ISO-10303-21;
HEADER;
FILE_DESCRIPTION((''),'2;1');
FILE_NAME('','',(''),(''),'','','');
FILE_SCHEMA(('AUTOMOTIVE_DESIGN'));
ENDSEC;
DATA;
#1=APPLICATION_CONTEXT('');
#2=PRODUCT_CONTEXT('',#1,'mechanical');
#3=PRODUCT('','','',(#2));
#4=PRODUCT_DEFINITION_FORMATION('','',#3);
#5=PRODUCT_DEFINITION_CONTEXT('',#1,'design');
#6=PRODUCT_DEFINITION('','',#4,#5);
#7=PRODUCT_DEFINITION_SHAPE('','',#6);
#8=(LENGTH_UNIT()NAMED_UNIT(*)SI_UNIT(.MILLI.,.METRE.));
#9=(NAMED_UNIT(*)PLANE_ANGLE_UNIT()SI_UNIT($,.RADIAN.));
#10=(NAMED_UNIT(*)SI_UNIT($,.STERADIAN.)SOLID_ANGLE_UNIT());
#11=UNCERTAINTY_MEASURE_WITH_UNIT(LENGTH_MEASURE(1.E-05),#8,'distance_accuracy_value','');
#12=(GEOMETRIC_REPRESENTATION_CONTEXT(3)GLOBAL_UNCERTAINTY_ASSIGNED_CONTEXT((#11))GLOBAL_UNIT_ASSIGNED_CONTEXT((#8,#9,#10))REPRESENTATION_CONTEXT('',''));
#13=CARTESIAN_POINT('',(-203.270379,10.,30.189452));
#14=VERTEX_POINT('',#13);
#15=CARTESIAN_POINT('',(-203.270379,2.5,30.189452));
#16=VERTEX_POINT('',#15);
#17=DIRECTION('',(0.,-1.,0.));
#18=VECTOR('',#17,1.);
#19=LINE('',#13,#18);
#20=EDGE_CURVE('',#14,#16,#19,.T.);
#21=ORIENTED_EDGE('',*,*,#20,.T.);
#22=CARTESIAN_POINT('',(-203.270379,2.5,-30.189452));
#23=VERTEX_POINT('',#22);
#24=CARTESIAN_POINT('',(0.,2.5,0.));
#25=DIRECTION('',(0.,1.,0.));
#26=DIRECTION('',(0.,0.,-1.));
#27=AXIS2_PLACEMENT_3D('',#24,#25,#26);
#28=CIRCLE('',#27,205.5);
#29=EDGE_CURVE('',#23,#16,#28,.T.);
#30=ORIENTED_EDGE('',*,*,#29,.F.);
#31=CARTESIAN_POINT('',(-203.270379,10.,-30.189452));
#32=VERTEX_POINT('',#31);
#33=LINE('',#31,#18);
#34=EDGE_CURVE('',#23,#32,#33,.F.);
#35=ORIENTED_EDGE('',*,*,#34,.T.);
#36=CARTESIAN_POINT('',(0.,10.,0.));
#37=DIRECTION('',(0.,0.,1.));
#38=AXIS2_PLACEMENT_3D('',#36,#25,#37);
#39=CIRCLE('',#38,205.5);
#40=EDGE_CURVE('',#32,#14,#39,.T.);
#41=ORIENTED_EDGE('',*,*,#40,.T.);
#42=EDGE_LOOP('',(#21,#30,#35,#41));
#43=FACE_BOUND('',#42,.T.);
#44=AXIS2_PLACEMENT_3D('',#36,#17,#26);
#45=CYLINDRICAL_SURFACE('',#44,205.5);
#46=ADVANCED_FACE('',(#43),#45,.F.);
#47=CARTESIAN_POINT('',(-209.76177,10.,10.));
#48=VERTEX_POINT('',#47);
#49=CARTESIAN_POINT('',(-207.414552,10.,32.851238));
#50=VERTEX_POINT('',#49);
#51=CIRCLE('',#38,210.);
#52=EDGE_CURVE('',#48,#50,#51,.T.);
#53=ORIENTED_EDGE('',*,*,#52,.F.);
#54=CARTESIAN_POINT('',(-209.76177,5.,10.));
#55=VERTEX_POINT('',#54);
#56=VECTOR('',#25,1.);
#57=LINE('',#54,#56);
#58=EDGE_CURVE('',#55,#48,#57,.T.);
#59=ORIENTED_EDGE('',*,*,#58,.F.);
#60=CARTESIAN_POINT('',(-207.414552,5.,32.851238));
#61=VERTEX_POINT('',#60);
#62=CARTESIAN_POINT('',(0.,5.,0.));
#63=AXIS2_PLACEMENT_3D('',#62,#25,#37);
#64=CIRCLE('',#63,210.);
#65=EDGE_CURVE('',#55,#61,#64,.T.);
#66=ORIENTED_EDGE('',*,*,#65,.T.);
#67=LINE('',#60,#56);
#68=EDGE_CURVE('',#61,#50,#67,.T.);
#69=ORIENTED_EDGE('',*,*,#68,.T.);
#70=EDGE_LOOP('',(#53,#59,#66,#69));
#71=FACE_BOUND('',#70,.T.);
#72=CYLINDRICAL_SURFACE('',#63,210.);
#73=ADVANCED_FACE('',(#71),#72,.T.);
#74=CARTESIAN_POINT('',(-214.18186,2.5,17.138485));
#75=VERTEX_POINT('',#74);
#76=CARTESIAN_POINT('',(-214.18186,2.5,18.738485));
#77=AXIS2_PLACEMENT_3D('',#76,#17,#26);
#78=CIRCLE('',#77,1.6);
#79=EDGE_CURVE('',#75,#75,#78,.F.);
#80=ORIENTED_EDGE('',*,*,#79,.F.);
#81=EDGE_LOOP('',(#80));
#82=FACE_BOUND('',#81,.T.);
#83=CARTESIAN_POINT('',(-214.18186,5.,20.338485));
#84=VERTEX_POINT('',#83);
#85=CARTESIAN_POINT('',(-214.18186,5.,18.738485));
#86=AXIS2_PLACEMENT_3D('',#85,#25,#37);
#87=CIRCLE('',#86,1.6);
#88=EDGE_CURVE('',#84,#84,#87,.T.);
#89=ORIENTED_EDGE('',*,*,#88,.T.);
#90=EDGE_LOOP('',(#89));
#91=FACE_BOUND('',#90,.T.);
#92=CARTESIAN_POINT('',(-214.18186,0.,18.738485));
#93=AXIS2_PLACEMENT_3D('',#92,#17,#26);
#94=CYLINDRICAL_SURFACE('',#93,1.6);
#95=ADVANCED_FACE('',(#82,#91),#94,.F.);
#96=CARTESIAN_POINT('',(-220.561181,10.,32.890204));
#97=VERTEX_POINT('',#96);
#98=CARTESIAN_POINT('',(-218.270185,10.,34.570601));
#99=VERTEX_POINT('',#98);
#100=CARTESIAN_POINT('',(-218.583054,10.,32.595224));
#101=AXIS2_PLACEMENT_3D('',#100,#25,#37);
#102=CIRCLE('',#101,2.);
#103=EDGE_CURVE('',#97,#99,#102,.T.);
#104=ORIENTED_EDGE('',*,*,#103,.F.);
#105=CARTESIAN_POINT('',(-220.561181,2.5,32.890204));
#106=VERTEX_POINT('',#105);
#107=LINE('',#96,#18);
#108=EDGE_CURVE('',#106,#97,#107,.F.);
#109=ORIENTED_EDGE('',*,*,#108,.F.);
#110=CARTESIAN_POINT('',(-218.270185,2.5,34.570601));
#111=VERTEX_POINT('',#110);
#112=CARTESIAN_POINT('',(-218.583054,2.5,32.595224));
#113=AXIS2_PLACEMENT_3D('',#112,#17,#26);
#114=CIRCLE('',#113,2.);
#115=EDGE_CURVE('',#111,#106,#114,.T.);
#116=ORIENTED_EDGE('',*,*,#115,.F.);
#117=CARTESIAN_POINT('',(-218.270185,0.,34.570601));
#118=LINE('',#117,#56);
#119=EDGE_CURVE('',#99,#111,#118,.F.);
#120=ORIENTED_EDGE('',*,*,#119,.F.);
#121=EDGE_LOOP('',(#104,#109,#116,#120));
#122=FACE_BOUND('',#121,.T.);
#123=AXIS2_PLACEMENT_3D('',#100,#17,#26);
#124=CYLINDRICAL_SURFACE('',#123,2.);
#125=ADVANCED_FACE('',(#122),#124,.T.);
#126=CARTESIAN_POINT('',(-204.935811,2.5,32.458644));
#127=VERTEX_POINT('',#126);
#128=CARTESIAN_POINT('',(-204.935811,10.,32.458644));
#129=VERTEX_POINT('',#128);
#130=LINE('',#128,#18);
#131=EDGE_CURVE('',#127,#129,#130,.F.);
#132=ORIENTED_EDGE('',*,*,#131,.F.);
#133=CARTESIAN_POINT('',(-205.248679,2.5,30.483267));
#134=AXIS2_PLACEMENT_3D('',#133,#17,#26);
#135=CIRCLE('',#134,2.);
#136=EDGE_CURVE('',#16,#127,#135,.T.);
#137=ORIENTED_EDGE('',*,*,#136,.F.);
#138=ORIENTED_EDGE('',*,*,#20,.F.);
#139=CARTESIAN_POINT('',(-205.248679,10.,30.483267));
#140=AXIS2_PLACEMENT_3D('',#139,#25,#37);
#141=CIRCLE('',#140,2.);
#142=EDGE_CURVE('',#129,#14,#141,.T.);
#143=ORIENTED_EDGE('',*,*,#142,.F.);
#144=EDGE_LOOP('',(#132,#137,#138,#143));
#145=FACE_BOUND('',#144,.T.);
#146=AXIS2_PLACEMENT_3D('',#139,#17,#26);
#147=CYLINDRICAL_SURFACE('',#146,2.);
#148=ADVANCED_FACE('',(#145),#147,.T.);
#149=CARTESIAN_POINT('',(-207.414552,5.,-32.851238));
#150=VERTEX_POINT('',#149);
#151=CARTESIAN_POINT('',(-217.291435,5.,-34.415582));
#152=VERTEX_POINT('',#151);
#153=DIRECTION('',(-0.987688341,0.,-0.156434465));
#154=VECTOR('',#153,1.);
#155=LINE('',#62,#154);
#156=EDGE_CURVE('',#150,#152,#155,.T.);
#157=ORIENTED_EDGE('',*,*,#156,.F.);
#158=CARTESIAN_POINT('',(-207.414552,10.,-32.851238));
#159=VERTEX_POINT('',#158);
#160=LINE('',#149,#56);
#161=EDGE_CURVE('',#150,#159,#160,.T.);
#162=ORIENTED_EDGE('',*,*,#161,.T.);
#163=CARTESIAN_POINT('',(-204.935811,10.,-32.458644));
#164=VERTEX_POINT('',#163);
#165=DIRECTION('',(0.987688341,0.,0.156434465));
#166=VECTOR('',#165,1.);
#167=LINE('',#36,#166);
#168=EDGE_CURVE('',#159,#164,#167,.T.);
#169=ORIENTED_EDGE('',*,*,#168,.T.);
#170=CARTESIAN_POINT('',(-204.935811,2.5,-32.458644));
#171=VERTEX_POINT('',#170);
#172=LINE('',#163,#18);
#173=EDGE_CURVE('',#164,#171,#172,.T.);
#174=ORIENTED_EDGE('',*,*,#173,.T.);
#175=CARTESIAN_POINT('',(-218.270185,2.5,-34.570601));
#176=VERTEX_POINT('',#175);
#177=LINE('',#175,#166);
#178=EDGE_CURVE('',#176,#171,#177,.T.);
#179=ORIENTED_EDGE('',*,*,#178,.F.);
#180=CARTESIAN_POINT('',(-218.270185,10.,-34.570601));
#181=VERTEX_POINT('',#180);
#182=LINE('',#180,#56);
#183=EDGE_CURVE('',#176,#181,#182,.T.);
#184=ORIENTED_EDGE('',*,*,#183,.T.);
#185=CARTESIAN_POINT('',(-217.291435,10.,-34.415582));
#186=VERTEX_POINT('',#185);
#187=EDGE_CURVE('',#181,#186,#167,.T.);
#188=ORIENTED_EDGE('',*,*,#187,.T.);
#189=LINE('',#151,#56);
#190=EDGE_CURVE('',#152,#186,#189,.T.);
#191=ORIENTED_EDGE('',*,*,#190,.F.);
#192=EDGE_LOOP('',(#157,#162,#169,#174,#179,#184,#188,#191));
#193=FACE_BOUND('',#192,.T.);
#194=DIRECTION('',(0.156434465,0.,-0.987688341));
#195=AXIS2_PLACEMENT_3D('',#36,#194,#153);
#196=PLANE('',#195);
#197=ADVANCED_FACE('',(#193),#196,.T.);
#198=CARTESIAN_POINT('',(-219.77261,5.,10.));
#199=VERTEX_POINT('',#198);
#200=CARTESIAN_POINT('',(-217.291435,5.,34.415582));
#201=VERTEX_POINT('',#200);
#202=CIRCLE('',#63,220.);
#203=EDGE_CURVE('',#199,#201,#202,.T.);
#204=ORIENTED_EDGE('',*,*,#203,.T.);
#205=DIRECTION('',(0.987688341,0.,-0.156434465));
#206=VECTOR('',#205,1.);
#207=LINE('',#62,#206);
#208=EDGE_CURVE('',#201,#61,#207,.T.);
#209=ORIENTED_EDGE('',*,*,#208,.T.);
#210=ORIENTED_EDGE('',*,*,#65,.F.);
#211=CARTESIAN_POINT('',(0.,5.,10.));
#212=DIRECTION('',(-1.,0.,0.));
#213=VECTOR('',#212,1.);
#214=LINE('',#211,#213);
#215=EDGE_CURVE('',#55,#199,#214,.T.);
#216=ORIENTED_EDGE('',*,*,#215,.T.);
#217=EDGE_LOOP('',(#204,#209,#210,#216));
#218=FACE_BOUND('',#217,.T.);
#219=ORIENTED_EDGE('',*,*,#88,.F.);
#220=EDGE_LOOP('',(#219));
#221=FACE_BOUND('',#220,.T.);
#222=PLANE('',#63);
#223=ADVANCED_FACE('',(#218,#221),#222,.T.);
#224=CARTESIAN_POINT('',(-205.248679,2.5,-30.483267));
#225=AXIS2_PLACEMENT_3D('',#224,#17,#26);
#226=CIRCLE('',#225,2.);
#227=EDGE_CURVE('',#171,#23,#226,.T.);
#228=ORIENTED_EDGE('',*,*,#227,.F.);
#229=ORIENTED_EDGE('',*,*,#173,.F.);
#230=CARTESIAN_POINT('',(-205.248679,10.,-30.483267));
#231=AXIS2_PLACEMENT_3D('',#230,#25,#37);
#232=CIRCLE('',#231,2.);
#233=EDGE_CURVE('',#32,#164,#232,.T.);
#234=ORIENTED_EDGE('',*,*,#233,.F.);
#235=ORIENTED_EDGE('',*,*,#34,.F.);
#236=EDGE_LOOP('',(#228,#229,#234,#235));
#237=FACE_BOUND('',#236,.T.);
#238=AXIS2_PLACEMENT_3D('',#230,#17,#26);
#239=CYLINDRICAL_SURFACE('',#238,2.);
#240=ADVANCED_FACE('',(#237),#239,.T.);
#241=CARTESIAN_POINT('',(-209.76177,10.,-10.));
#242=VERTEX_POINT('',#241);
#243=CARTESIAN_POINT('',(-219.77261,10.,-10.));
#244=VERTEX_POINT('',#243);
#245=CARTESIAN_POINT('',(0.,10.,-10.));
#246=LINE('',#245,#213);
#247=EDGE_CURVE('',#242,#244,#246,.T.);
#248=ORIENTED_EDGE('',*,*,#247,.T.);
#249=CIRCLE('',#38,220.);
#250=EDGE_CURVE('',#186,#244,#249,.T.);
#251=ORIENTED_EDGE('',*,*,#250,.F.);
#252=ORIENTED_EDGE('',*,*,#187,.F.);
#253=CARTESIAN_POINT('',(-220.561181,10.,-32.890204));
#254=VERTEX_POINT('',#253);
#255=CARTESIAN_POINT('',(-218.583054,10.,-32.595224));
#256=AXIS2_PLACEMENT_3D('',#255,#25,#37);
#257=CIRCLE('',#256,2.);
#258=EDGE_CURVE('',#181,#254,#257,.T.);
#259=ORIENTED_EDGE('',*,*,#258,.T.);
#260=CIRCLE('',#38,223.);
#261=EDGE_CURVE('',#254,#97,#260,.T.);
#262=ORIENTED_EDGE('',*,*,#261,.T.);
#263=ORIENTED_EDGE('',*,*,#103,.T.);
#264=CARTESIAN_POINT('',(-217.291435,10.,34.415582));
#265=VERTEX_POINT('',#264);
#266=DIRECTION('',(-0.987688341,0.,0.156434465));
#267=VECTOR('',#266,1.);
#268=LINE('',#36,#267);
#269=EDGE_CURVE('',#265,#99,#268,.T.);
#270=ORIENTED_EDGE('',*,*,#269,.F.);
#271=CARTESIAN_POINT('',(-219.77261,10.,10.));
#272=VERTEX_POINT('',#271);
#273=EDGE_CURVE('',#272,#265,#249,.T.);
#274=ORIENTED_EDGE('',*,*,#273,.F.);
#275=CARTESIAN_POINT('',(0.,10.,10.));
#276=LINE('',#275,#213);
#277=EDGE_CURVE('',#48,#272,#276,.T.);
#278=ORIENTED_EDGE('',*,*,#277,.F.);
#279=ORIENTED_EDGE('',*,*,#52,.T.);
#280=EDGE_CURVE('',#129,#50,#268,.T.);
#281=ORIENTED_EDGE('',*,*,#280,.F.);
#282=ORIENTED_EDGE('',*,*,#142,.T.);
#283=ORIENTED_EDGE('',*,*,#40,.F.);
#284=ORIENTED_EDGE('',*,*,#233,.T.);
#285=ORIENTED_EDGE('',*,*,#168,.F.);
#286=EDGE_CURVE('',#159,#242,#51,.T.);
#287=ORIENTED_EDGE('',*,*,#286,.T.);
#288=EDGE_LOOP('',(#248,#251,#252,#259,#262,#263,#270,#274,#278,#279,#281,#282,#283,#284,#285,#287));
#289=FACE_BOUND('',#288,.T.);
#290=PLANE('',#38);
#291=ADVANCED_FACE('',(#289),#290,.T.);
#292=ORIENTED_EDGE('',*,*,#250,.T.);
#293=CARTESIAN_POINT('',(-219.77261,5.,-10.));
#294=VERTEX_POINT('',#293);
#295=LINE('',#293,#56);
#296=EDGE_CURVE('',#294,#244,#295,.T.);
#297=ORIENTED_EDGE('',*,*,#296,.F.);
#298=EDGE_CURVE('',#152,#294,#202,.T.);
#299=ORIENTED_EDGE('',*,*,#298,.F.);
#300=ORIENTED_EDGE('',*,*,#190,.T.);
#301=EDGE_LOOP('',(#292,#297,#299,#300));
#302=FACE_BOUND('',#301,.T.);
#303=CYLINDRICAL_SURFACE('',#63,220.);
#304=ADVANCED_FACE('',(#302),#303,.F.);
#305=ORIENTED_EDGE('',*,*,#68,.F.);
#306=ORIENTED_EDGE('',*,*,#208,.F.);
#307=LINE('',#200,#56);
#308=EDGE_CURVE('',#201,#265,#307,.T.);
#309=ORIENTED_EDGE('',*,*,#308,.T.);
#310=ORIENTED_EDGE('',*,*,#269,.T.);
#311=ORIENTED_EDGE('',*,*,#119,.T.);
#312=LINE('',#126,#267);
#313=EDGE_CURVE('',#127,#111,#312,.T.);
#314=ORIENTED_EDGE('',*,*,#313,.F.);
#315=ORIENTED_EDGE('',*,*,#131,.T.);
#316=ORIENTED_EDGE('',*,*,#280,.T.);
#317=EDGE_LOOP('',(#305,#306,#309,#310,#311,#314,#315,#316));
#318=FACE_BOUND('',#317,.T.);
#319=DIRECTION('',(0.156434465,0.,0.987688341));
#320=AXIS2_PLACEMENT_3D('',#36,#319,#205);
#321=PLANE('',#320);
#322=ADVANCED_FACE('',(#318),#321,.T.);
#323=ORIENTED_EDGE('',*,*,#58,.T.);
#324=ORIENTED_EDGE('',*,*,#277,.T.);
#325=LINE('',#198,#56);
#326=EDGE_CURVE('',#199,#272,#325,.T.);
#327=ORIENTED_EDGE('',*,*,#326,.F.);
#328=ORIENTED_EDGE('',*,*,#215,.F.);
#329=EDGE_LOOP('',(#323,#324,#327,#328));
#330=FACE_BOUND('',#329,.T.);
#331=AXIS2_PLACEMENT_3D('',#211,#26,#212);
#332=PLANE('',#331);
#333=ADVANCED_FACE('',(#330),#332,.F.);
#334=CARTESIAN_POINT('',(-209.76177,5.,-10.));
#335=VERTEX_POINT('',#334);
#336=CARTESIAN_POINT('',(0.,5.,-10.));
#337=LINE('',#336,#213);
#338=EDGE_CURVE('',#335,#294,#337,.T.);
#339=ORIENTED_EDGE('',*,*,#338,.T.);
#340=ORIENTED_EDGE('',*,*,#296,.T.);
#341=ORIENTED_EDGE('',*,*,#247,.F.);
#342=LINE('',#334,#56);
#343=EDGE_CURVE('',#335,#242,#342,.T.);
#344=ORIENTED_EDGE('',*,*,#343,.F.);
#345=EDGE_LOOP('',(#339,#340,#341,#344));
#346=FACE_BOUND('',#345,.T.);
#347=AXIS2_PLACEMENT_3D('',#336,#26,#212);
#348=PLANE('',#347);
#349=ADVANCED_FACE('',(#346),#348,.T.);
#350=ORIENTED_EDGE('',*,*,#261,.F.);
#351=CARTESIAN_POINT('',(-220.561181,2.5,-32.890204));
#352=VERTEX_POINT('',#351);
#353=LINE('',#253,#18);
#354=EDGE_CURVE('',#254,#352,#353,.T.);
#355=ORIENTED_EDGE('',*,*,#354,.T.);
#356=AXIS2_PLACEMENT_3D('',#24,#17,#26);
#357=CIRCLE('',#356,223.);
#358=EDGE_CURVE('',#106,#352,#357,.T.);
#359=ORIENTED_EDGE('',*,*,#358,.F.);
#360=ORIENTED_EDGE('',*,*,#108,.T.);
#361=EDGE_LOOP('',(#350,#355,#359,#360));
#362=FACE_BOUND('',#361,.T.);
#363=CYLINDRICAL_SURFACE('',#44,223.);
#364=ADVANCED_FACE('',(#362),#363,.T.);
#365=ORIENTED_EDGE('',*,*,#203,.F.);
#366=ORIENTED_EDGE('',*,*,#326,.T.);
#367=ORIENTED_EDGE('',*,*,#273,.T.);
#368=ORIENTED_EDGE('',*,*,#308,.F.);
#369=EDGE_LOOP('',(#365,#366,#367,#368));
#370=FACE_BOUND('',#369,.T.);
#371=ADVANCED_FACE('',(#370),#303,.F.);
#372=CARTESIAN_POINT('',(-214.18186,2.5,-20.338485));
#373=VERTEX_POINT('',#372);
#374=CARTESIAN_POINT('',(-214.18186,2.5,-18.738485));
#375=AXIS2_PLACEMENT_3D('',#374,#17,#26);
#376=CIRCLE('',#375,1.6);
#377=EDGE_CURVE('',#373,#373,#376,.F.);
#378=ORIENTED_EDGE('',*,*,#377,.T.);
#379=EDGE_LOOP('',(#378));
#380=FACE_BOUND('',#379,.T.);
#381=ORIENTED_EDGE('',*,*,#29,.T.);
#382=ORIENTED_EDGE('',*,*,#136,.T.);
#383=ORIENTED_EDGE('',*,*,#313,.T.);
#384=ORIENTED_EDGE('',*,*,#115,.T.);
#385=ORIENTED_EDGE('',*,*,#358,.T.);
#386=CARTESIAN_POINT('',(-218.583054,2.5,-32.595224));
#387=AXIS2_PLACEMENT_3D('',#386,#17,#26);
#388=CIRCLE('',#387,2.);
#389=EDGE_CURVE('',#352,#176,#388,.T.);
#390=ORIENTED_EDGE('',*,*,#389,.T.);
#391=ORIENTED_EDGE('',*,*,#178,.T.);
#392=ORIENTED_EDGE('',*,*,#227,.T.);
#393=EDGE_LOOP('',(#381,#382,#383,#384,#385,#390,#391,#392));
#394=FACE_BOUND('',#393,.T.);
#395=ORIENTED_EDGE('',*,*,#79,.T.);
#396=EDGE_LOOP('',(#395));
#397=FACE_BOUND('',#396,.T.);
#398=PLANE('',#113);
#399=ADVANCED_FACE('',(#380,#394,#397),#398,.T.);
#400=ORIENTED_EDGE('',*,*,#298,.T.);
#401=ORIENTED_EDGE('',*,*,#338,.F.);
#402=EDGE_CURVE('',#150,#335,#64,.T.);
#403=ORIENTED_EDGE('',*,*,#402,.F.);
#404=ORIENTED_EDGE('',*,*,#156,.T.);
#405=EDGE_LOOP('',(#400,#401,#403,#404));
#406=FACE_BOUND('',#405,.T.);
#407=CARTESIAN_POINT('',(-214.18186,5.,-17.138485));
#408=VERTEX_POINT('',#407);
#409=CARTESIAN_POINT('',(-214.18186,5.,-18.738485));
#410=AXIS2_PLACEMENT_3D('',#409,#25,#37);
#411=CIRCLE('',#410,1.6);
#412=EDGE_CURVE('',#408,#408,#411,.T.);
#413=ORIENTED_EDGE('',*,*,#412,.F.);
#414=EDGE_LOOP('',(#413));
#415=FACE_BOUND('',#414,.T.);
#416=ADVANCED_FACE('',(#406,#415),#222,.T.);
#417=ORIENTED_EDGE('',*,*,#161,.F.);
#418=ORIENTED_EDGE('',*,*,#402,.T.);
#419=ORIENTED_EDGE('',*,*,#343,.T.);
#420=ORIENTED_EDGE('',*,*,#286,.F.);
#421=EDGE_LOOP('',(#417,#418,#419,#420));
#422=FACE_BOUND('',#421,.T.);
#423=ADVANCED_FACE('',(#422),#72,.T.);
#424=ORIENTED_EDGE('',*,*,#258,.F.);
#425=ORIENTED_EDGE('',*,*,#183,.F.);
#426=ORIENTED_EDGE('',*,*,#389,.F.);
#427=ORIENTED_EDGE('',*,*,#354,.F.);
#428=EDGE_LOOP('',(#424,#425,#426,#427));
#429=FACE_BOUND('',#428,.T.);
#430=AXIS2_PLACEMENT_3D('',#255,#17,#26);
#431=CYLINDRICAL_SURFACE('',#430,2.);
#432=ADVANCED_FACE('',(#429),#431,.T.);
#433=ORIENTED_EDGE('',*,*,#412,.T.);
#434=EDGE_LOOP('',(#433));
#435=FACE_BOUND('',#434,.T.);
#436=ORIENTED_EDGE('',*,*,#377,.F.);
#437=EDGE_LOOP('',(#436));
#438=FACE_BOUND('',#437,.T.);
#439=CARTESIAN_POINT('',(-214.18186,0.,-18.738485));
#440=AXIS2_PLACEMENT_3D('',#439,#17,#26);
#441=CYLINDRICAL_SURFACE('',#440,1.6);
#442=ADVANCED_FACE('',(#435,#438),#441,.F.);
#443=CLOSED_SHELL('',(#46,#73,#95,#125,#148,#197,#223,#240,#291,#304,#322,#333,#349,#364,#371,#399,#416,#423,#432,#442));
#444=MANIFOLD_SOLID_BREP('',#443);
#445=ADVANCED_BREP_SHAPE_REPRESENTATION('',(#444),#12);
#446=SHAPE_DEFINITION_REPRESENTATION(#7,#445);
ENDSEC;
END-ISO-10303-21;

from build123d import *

# Parameters (mm, degrees)
BOSS_EXTRUDE1_DEPTH        = 10
CUT_EXTRUDE1_DEPTH         = 5
F_3_2_3_2_DIAMETER_HOLE1_D = 3.2
FILLET1_R                  = 2
CUT_EXTRUDE2_START         = -2.5
CUT_EXTRUDE2_DEPTH         = 2.5


with BuildPart() as part:
    # Sketch1 → Boss-Extrude1 (new body)
    with BuildSketch(Plane(origin=(0, 0, 0), x_dir=(1, 0, 0), z_dir=(0, 1, 0))):
        with BuildLine():
            ThreePointArc((-207.414551525, 32.851237658), (-210, 0), (-207.414551525, -32.851237658))
            Line((-207.414551525, -32.851237658), (-217.291434931, -34.415582309))
            ThreePointArc((-217.291434931, -34.415582309), (-220, 0), (-217.291434931, 34.415582309))
            Line((-217.291434931, 34.415582309), (-207.414551525, 32.851237658))
        make_face()
        with BuildLine():
            ThreePointArc((-217.291434931, -34.415582309), (-220, 0), (-217.291434931, 34.415582309))
            Line((-217.291434931, 34.415582309), (-220.254499953, 34.884885704))
            ThreePointArc((-220.254499953, 34.884885704), (-223, 0), (-220.254499953, -34.884885704))
            Line((-220.254499953, -34.884885704), (-217.291434931, -34.415582309))
        make_face()
        with BuildLine():
            Line((-202.969953992, 32.147282566), (-207.414551525, 32.851237658))
            ThreePointArc((-207.414551525, 32.851237658), (-210, 0), (-207.414551525, -32.851237658))
            Line((-207.414551525, -32.851237658), (-202.969953992, -32.147282566))
            ThreePointArc((-202.969953992, -32.147282566), (-205.5, 0), (-202.969953992, 32.147282566))
        make_face()
    extrude(amount=BOSS_EXTRUDE1_DEPTH)

    # Sketch15 → Cut-Extrude1 (cut)
    with BuildSketch(Plane(origin=(0, 10, 0), x_dir=(1, 0, 0), z_dir=(0, 1, 0))):
        with BuildLine():
            Line((-219.772609758, 10), (-209.761769634, 10))
            ThreePointArc((-209.761769634, 10), (-208.900850883, 21.457737542), (-207.414551525, 32.851237658))
            Line((-207.414551525, 32.851237658), (-217.291434931, 34.415582309))
            ThreePointArc((-217.291434931, 34.415582309), (-218.872736893, 22.242415451), (-219.772609758, 10))
        make_face()
        with BuildLine():
            ThreePointArc((-207.414551525, -32.851237658), (-208.900850883, -21.457737542), (-209.761769634, -10))
            Line((-209.761769634, -10), (-219.772609758, -10))
            ThreePointArc((-219.772609758, -10), (-218.872736893, -22.242415451), (-217.291434931, -34.415582309))
            Line((-217.291434931, -34.415582309), (-207.414551525, -32.851237658))
        make_face()
    extrude(amount=-CUT_EXTRUDE1_DEPTH, mode=Mode.SUBTRACT)

    # Ø3.2 (3.2) Diameter Hole1 (through all)
    with Locations(Plane(origin=(0, 0, 0), x_dir=(-1, 0, 0), z_dir=(0, -1, 0))):
        with Locations((214.18186009, -18.738484691), (214.18186009, 18.738484691)):
            Hole(F_3_2_3_2_DIAMETER_HOLE1_D / 2)

    # Fillet1
    fillet1_edges = [part.edges().sort_by_distance(p)[0] for p in [
        (-220.254499953, 5, 34.884885704),
        (-220.254499953, 5, -34.884885704),
        (-202.969953992, 5, -32.147282566),
        (-202.969953992, 5, 32.147282566),
    ]]
    fillet(fillet1_edges, radius=FILLET1_R)

    # Sketch19 → Cut-Extrude2 (cut)
    with BuildSketch(Plane.XZ.offset(CUT_EXTRUDE2_START)):
        with BuildLine():
            Line((-218.270184732, -34.570601048), (-204.935810565, -32.458643659))
            ThreePointArc((-204.935810565, -32.458643659), (-203.636329762, -31.666621675), (-203.27037897, -30.189452356))
            ThreePointArc((-203.27037897, -30.189452356), (-205.5, 0), (-203.27037897, 30.189452356))
            ThreePointArc((-203.27037897, 30.189452356), (-203.636329762, 31.666621675), (-204.935810565, 32.458643659))
            Line((-204.935810565, 32.458643659), (-218.270184732, 34.570601048))
            ThreePointArc((-218.270184732, 34.570601048), (-219.765933628, 34.207922413), (-220.561180845, 32.890203773))
            ThreePointArc((-220.561180845, 32.890203773), (-223, 0), (-220.561180845, -32.890203773))
            ThreePointArc((-220.561180845, -32.890203773), (-219.765933628, -34.207922413), (-218.270184732, -34.570601048))
        make_face()
    extrude(amount=CUT_EXTRUDE2_DEPTH, mode=Mode.SUBTRACT)


solid = part.part
